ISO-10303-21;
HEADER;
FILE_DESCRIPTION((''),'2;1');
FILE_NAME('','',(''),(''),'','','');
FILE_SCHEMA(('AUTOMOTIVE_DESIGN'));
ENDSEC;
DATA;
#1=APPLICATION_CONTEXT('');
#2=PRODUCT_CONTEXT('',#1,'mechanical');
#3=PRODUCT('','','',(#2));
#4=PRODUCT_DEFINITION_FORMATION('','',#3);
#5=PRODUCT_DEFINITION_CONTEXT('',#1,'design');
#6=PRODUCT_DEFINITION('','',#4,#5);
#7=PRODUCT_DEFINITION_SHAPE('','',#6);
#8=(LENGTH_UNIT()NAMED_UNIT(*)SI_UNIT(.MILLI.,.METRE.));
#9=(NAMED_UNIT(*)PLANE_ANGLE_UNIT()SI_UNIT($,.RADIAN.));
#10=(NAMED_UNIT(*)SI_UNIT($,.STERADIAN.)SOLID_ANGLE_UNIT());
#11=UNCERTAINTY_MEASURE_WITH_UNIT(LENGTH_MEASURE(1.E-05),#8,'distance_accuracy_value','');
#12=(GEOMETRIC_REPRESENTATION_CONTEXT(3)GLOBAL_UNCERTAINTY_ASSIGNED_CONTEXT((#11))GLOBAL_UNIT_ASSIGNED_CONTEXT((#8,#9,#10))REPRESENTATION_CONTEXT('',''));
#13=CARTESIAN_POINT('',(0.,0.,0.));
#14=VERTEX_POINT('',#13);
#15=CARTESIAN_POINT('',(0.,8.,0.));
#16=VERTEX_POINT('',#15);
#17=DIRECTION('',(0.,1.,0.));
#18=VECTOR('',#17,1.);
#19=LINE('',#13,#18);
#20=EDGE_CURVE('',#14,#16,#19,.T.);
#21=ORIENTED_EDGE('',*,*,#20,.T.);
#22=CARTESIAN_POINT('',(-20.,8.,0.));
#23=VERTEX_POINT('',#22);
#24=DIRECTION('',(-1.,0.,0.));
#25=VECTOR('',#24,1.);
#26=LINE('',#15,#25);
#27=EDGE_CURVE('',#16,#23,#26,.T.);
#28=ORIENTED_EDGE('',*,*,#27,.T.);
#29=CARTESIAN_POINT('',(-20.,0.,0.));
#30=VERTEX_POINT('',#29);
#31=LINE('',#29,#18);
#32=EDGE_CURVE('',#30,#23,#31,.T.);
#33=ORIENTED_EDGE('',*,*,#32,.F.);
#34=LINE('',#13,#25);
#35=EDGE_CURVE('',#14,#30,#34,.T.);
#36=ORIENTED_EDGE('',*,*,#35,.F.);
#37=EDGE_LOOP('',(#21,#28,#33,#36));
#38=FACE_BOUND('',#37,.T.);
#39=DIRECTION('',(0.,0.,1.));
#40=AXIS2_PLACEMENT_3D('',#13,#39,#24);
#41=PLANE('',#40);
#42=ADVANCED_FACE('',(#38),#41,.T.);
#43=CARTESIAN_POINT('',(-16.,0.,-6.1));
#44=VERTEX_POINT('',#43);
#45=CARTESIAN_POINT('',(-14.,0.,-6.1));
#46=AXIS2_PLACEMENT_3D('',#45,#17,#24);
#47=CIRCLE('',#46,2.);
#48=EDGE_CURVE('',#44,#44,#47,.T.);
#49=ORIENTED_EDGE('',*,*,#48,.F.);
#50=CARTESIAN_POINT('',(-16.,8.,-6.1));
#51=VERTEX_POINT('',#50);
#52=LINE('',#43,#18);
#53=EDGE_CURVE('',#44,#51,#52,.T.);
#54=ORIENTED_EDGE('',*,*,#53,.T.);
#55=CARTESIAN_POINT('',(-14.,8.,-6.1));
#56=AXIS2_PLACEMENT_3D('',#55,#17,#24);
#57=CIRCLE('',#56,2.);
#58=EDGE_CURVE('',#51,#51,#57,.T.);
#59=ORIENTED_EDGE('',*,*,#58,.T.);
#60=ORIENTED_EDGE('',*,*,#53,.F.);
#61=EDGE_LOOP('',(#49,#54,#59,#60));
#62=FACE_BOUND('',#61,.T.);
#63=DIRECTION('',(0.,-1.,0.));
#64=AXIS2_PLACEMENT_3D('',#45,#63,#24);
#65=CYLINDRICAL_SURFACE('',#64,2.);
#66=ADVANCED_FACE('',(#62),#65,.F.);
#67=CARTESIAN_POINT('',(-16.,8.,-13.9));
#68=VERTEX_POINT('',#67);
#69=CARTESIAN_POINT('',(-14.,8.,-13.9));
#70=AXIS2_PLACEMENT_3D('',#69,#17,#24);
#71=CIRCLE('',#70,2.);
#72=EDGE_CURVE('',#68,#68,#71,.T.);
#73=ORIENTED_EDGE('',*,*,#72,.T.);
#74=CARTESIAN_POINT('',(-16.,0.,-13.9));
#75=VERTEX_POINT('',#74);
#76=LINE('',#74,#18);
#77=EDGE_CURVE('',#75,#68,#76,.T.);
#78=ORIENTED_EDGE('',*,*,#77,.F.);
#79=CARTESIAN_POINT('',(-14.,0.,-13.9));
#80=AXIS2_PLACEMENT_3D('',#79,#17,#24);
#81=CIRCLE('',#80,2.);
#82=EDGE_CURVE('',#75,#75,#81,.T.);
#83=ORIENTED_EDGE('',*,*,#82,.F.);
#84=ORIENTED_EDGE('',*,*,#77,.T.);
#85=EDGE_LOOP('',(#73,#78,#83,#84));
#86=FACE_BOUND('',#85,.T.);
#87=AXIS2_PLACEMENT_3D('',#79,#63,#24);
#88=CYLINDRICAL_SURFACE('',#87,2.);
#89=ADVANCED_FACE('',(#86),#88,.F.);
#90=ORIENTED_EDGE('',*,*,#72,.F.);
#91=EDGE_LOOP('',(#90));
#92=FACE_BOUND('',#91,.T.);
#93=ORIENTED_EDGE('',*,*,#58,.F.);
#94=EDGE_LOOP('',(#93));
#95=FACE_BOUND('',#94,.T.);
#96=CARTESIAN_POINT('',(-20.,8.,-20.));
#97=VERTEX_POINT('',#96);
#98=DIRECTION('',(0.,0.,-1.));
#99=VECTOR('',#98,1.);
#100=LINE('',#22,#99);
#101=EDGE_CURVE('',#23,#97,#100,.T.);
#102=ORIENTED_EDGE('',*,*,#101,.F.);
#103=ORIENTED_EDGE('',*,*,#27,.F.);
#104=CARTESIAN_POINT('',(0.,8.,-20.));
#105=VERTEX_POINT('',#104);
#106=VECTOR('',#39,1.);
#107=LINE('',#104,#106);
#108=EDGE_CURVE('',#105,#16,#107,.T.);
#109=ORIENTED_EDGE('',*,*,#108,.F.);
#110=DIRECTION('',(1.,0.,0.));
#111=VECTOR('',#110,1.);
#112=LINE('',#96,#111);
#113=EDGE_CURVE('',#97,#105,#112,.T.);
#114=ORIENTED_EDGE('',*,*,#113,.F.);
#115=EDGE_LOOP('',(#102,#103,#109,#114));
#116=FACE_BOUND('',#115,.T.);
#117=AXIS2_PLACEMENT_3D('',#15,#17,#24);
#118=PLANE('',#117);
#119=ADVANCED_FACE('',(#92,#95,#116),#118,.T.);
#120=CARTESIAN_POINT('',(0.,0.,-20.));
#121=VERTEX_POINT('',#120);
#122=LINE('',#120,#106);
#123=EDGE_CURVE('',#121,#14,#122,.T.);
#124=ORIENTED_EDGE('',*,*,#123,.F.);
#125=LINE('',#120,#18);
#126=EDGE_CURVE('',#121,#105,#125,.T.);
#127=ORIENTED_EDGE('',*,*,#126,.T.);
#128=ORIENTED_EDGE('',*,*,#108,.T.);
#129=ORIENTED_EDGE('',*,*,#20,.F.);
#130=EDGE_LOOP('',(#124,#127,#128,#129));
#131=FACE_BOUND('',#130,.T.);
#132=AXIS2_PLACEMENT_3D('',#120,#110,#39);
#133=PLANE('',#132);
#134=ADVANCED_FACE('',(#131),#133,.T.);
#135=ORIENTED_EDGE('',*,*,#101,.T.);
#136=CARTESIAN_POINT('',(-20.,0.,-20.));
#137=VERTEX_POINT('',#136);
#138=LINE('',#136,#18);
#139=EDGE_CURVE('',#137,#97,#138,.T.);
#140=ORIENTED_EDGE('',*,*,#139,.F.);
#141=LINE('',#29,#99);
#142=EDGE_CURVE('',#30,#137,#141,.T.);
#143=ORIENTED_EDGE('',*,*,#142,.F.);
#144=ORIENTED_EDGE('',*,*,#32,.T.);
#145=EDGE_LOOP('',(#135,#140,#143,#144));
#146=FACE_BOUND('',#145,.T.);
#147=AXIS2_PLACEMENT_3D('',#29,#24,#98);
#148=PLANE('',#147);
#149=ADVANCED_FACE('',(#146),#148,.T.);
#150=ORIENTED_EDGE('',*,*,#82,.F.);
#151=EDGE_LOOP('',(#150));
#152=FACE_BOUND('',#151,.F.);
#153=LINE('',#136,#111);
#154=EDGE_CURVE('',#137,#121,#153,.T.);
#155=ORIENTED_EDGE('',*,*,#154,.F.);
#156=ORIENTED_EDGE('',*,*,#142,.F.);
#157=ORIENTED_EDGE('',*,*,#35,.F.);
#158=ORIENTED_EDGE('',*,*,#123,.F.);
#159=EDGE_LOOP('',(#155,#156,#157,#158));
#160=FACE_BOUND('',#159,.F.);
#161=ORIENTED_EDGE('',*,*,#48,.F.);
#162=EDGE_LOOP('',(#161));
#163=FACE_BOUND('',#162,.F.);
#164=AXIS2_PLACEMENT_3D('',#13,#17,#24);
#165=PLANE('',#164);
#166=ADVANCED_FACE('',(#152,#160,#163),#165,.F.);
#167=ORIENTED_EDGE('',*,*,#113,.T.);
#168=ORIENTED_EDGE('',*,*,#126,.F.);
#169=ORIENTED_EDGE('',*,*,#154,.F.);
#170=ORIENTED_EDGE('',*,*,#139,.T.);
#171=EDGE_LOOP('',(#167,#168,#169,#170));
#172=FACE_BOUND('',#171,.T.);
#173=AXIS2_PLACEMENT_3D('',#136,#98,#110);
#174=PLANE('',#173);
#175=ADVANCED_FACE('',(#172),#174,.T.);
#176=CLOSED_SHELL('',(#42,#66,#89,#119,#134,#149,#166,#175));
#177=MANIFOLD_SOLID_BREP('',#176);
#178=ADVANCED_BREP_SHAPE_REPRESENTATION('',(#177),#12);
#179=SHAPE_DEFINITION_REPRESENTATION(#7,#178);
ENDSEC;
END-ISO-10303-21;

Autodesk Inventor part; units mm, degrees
ref_plane "YZ Plane" through (0, 0, 0) normal (1, 0, 0) x (0, 1, 0)
ref_plane "XZ Plane" through (0, 0, 0) normal (0, 1, 0) x (-1, 0, 0)
ref_plane "XY Plane" through (0, 0, 0) normal (0, 0, 1) x (1, 0, 0)
sketch "Sketch1" plane through (0, 0, 0) normal (0, 1, 0) x (-1, 0, 0)
  line L0 (0, 0) -> (20, 0)
  line L1 (20, 0) -> (20, -20)
  line L2 (20, -20) -> (0, -20)
  line L3 (0, -20) -> (0, 0)
  circle A0 centre (14, -6.1) radius 2
  circle A1 centre (14, -13.9) radius 2
  dimension "d0" = 20
  dimension "d1" = 20
  dimension "d2" = 4
  dimension "d3" = 4
  dimension "d4" = 7.8
  dimension "d5" = 6.1
  dimension "d6" = 6
  dimension "d7" = 6
extrude "Extrusion1" add sketch "Sketch1" along normal blind 8
properties part number "motor spacer"
